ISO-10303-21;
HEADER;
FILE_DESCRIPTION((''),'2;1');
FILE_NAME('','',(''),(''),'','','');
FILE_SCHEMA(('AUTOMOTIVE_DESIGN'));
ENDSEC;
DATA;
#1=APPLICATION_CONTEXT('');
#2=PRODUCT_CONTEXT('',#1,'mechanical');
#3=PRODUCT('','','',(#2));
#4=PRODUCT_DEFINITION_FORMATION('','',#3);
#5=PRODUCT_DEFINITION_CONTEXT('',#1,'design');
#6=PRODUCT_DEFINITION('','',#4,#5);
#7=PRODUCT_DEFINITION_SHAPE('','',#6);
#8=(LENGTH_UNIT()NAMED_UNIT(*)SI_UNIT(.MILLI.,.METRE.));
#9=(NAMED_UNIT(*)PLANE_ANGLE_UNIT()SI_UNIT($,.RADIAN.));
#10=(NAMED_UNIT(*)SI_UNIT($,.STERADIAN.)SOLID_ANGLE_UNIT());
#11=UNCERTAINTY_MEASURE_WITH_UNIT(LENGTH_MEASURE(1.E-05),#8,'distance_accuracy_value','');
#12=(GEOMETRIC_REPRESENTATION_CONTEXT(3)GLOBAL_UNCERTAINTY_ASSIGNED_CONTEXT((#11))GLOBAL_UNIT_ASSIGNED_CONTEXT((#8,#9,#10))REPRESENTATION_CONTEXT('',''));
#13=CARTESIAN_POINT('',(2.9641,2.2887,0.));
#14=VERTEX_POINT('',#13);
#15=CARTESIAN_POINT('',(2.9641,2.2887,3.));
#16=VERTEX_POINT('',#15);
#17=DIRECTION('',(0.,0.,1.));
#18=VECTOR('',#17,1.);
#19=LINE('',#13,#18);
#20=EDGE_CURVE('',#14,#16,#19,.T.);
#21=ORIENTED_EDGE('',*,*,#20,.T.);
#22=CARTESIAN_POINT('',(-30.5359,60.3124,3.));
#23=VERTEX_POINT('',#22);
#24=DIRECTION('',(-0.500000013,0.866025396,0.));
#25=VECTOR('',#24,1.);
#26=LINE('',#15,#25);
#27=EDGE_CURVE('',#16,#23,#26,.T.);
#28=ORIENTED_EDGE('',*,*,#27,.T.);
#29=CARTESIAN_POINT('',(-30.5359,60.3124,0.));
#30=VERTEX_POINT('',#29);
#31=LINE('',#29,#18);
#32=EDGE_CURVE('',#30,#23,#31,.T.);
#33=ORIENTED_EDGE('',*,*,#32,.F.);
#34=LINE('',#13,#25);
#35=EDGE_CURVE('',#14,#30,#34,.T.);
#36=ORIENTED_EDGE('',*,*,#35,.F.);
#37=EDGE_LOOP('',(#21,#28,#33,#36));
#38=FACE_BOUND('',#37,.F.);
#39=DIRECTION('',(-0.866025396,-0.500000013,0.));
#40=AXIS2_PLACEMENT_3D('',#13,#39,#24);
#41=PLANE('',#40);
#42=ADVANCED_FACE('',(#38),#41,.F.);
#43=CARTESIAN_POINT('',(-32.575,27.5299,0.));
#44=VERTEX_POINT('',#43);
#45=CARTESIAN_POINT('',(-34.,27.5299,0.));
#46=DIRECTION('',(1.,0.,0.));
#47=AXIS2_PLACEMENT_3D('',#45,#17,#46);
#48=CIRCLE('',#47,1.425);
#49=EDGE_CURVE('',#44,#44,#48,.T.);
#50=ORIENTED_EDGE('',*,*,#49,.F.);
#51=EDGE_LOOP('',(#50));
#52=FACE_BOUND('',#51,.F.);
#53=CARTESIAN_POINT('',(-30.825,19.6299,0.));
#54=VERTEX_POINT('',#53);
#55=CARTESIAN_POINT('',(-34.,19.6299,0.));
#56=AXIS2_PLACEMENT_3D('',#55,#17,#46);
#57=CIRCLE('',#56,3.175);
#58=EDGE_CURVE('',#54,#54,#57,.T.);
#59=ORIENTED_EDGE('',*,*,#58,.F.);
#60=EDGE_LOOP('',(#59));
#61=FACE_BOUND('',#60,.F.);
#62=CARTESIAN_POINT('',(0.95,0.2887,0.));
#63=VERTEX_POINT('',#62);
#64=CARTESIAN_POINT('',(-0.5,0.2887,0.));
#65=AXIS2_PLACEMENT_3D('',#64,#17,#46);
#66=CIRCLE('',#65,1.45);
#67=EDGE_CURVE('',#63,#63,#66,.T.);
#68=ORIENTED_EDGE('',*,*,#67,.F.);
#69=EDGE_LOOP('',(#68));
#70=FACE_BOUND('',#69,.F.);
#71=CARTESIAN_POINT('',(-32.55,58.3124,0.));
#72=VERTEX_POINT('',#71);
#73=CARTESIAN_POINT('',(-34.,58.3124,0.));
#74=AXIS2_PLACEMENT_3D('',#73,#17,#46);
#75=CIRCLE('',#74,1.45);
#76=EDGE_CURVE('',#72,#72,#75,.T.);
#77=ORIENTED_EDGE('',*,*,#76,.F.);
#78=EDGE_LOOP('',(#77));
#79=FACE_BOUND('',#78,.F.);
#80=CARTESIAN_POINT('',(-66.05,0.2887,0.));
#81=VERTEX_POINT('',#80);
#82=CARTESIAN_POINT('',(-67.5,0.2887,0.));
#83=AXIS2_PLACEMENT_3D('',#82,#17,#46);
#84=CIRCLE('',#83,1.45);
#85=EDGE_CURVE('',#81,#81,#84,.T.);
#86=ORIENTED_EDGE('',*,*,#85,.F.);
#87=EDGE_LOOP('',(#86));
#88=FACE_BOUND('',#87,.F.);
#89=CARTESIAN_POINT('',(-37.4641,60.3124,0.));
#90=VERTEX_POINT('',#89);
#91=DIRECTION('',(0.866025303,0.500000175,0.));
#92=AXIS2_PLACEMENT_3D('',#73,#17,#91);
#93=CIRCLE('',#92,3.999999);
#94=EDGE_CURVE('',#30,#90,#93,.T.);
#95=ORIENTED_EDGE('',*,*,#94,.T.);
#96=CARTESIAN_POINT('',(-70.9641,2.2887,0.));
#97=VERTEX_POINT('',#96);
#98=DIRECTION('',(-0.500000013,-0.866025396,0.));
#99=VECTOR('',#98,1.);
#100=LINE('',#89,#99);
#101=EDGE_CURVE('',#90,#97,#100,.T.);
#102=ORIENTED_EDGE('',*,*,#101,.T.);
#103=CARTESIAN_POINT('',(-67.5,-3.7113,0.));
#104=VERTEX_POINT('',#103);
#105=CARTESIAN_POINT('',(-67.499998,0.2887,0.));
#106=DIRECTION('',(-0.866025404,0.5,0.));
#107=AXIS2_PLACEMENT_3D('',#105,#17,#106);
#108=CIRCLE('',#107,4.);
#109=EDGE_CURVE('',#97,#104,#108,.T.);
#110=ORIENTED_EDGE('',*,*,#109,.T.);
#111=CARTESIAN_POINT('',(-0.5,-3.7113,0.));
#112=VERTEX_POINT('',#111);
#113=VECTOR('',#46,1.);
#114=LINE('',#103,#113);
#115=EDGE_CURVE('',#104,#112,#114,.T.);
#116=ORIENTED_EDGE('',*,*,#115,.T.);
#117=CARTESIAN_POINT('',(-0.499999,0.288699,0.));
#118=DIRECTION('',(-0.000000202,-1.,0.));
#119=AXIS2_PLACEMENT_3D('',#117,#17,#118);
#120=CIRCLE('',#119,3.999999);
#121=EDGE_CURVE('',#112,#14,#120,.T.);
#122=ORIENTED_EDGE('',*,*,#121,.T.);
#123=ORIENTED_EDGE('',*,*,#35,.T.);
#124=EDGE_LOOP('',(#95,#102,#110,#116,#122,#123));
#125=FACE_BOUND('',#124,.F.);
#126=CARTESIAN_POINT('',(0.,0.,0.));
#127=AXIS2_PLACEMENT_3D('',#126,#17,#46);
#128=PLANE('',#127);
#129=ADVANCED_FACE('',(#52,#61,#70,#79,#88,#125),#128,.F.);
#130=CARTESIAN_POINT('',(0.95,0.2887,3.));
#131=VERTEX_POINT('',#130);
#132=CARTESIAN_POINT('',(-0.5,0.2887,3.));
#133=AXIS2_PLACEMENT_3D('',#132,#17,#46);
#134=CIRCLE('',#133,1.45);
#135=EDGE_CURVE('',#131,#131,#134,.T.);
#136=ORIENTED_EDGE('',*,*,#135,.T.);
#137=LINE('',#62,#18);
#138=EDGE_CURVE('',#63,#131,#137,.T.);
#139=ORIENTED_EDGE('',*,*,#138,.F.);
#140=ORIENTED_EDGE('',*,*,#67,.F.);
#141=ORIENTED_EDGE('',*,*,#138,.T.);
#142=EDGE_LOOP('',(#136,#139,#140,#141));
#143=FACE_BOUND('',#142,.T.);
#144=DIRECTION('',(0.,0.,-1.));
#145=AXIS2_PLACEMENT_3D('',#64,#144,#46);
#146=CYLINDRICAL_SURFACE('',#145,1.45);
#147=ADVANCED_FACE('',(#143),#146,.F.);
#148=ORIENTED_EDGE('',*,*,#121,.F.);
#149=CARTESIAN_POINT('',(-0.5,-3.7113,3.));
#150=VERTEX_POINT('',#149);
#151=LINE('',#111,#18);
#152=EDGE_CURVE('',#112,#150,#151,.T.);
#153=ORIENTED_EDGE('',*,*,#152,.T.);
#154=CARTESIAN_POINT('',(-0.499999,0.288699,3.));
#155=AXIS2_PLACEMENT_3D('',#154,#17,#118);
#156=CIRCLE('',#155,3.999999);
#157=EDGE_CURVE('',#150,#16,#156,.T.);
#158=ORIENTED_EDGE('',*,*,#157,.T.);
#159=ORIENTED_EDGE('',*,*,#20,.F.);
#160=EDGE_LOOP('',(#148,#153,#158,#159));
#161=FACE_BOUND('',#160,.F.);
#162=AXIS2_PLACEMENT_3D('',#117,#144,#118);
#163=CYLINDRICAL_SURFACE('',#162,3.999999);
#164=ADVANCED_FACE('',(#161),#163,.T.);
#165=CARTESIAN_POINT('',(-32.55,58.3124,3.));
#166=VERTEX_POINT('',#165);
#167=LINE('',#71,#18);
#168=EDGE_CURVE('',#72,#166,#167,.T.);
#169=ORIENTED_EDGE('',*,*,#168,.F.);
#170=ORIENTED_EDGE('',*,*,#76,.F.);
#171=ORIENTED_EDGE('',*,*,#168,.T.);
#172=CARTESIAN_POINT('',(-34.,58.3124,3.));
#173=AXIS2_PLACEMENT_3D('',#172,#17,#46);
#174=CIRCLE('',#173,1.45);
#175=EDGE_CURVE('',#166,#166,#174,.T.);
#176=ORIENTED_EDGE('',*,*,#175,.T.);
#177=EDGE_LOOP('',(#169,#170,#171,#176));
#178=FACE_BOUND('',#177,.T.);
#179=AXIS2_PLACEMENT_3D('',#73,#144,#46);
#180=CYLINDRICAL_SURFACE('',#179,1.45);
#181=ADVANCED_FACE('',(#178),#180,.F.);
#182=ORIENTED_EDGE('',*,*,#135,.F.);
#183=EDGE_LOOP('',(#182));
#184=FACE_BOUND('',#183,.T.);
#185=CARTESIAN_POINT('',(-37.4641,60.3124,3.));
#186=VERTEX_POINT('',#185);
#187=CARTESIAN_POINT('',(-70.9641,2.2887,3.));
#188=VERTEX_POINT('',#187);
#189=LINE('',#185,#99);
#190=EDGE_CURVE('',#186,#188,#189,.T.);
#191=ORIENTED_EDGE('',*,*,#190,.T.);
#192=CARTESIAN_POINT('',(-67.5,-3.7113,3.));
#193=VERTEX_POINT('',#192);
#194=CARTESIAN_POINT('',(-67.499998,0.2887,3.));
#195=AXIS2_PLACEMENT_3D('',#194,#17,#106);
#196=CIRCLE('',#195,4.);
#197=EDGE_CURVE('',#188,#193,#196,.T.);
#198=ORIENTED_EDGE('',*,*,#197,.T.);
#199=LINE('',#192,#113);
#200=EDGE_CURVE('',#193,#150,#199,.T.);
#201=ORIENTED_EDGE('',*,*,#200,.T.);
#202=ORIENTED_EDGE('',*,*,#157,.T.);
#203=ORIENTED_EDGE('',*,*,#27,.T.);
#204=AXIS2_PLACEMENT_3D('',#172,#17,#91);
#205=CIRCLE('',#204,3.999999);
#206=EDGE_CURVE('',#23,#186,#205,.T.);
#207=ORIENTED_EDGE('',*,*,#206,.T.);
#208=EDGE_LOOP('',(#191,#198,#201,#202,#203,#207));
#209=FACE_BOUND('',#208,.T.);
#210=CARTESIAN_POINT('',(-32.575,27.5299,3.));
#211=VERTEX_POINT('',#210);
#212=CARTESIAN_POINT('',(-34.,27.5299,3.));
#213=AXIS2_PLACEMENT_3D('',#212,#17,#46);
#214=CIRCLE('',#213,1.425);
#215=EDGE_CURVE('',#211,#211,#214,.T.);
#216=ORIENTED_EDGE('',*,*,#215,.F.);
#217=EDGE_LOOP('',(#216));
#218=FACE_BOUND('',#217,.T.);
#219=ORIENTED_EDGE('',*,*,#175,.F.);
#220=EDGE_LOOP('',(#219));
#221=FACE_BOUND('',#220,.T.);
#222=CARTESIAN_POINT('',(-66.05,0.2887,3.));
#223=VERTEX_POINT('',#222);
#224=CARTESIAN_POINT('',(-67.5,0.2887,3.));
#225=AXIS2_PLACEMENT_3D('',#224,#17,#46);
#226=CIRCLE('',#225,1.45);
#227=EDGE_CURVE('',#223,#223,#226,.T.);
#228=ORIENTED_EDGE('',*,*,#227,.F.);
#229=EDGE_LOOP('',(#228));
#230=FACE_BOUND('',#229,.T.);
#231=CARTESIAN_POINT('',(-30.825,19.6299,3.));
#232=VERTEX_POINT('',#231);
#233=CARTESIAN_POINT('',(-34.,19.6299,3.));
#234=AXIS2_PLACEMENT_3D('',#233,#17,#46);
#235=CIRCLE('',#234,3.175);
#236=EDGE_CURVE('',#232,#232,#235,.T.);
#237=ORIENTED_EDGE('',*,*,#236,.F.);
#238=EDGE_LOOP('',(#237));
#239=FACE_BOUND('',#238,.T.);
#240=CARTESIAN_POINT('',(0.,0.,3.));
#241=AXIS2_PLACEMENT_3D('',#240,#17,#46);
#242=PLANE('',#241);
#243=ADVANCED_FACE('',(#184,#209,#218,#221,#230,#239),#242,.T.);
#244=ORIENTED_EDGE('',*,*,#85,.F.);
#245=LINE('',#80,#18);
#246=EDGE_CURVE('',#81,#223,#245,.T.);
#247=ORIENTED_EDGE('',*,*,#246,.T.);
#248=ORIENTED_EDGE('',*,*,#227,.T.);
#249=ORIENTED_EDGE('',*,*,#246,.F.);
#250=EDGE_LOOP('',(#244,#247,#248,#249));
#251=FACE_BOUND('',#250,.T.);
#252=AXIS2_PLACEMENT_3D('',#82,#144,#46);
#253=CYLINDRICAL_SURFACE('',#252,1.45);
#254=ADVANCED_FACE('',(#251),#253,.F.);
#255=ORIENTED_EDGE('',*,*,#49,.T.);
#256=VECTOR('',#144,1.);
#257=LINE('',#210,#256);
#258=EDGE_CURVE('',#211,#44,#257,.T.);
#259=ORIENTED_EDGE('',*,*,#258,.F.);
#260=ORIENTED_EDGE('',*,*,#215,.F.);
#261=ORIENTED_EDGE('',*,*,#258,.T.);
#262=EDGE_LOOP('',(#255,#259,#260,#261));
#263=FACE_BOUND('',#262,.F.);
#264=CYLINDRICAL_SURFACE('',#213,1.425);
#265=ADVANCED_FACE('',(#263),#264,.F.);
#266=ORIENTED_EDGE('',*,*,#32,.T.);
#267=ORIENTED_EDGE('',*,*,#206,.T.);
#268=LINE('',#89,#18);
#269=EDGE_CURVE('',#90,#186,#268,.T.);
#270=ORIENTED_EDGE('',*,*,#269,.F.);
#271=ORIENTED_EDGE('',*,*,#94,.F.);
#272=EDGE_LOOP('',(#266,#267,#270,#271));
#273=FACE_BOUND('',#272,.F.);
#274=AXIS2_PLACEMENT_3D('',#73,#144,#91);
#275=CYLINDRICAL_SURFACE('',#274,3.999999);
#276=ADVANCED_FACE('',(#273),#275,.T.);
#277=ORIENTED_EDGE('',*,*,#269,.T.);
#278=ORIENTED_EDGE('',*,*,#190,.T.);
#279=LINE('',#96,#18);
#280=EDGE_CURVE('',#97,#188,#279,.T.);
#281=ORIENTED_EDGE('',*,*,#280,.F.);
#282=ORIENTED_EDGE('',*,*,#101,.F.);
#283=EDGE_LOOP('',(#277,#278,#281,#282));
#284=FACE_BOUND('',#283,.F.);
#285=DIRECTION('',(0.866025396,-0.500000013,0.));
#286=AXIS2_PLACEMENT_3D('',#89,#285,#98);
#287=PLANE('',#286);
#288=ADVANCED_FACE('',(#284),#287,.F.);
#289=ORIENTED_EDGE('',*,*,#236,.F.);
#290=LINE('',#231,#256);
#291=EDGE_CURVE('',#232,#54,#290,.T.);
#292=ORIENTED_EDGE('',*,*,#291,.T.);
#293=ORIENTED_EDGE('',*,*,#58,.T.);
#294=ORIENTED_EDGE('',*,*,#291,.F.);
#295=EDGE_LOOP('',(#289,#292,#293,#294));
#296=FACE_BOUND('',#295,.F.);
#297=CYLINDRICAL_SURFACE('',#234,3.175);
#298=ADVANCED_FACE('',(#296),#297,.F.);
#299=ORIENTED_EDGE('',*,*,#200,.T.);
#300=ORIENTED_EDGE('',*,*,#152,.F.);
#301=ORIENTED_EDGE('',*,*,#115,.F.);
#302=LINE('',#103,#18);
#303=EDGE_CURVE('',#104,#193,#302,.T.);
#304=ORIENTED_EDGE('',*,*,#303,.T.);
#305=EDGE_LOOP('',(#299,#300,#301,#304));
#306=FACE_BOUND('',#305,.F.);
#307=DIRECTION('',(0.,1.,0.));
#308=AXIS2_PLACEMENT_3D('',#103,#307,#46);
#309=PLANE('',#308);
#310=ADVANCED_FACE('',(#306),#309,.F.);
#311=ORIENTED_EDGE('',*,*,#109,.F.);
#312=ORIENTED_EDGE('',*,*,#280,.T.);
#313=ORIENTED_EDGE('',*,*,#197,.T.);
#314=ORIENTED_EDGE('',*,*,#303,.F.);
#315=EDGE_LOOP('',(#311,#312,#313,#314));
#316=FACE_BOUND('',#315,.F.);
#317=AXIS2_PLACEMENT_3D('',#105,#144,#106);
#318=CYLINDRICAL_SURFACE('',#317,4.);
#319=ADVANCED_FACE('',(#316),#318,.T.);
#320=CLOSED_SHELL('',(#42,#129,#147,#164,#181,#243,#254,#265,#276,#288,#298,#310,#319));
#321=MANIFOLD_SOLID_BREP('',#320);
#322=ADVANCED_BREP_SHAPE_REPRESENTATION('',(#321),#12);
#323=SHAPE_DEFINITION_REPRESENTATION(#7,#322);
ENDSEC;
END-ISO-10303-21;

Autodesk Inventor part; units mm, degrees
ref_plane "YZ Plane" through (0, 0, 0) normal (1, 0, 0) x (0, 1, 0)
ref_plane "XZ Plane" through (0, 0, 0) normal (0, 1, 0) x (-1, 0, 0)
ref_plane "XY Plane" through (0, 0, 0) normal (0, 0, 1) x (1, 0, 0)
ref_plane "Work Plane1" through (0, 0, 0) normal (0, 0, 1) x (1, 0, 0)
sketch "Sketch1" plane through (0, 0, 0) normal (0, 0, 1) x (1, 0, 0)
  circle A0 centre (-34, 58.3124) radius 1.425 projected
  circle A1 centre (-67.5, 0.2887) radius 1.425 projected
  circle A2 centre (-0.5, 0.2887) radius 1.425 projected
  arc A3 (-2.5, 3.7528) -> (-4.5, 0.2887) centre (-0.5, 0.2887) ccw projected
  arc A4 (-5, -0.2113) -> (-4.5, 0.2887) centre (-5, 0.2887) ccw projected
  line L0 (-5, -0.2113) -> (-63, -0.2113) projected
  arc A5 (-63.5, 0.2887) -> (-63, -0.2113) centre (-63, 0.2887) ccw projected
  arc A6 (-63.5, 0.2887) -> (-65.5, 3.7528) centre (-67.5, 0.2887) ccw projected
  arc A7 (-65.683, 4.4358) -> (-65.5, 3.7528) centre (-65.25, 4.1858) ccw projected
  line L1 (-65.683, 4.4358) -> (-36.683, 54.6653) projected
  arc A8 (-36, 54.8483) -> (-36.683, 54.6653) centre (-36.25, 54.4153) ccw projected
  arc A9 (-36, 54.8483) -> (-32, 54.8483) centre (-34, 58.3124) ccw projected
  arc A10 (-31.317, 54.6653) -> (-32, 54.8483) centre (-31.75, 54.4153) ccw projected
  line L2 (-31.317, 54.6653) -> (-2.317, 4.4358) projected
  arc A11 (-2.5, 3.7528) -> (-2.317, 4.4358) centre (-2.75, 4.1858) ccw projected
  line L3 (2.9641, 2.2887) -> (-30.5359, 60.3124) projected
  arc A12 (-30.5359, 60.3124) -> (-37.4641, 60.3124) centre (-34, 58.3124) ccw projected
  line L4 (-37.4641, 60.3124) -> (-70.9641, 2.2887) projected
  arc A13 (-70.9641, 2.2887) -> (-67.5, -3.7113) centre (-67.5, 0.2887) ccw projected
  line L5 (-67.5, -3.7113) -> (-0.5, -3.7113) projected
  arc A14 (-0.5, -3.7113) -> (2.9641, 2.2887) centre (-0.5, 0.2887) ccw projected
  circle A15 centre (-34, 58.3124) radius 1.45
  circle A16 centre (-0.5, 0.2887) radius 1.45
  circle A17 centre (-67.5, 0.2887) radius 1.45
  line L6 (-67.5, 0.2887) -> (-13.7859, 31.3005) construction
  line L7 (-0.5, 0.2887) -> (-54.2141, 31.3005) construction
  point P0 (0, 0)
  point P1 (-34, 19.6299)
  dimension "d0" = 2.9
extrude "Extrusion1" add sketch "Sketch1" along normal blind 3 contours A3 A4 L0 A5 A6 A7 L1 A8 A9 A10 L2 A11 | A14 L5 A13 L4 A12 L3
sketch "Sketch2" plane through (0, 0, 3) normal (0, 0, 1) x (1, 0, 0)
  line L0 (2.9641, 2.2887) -> (-30.5359, 60.3124) projected
  arc A0 (-30.5359, 60.3124) -> (-37.4641, 60.3124) centre (-34, 58.3124) ccw projected
  line L1 (-34, 58.3124) -> (-34, -3.7946) construction
  circle A1 centre (-34, 19.6299) radius 3.175
  circle A2 centre (-67.5, 0.2887) radius 1.45 projected
  line L2 (-67.5, 0.2887) -> (-13.7859, 31.3005) construction
  circle A3 centre (-34, 27.5299) radius 1.425
  dimension "d33" = 6.35
  dimension "d34" = 2.85
  dimension "d35" = 7.9
extrude "Extrusion4" cut sketch "Sketch2" against normal through all contours A1 | A3
properties part number "ServoHousingEndPlates" material "Wood (Birch)"
